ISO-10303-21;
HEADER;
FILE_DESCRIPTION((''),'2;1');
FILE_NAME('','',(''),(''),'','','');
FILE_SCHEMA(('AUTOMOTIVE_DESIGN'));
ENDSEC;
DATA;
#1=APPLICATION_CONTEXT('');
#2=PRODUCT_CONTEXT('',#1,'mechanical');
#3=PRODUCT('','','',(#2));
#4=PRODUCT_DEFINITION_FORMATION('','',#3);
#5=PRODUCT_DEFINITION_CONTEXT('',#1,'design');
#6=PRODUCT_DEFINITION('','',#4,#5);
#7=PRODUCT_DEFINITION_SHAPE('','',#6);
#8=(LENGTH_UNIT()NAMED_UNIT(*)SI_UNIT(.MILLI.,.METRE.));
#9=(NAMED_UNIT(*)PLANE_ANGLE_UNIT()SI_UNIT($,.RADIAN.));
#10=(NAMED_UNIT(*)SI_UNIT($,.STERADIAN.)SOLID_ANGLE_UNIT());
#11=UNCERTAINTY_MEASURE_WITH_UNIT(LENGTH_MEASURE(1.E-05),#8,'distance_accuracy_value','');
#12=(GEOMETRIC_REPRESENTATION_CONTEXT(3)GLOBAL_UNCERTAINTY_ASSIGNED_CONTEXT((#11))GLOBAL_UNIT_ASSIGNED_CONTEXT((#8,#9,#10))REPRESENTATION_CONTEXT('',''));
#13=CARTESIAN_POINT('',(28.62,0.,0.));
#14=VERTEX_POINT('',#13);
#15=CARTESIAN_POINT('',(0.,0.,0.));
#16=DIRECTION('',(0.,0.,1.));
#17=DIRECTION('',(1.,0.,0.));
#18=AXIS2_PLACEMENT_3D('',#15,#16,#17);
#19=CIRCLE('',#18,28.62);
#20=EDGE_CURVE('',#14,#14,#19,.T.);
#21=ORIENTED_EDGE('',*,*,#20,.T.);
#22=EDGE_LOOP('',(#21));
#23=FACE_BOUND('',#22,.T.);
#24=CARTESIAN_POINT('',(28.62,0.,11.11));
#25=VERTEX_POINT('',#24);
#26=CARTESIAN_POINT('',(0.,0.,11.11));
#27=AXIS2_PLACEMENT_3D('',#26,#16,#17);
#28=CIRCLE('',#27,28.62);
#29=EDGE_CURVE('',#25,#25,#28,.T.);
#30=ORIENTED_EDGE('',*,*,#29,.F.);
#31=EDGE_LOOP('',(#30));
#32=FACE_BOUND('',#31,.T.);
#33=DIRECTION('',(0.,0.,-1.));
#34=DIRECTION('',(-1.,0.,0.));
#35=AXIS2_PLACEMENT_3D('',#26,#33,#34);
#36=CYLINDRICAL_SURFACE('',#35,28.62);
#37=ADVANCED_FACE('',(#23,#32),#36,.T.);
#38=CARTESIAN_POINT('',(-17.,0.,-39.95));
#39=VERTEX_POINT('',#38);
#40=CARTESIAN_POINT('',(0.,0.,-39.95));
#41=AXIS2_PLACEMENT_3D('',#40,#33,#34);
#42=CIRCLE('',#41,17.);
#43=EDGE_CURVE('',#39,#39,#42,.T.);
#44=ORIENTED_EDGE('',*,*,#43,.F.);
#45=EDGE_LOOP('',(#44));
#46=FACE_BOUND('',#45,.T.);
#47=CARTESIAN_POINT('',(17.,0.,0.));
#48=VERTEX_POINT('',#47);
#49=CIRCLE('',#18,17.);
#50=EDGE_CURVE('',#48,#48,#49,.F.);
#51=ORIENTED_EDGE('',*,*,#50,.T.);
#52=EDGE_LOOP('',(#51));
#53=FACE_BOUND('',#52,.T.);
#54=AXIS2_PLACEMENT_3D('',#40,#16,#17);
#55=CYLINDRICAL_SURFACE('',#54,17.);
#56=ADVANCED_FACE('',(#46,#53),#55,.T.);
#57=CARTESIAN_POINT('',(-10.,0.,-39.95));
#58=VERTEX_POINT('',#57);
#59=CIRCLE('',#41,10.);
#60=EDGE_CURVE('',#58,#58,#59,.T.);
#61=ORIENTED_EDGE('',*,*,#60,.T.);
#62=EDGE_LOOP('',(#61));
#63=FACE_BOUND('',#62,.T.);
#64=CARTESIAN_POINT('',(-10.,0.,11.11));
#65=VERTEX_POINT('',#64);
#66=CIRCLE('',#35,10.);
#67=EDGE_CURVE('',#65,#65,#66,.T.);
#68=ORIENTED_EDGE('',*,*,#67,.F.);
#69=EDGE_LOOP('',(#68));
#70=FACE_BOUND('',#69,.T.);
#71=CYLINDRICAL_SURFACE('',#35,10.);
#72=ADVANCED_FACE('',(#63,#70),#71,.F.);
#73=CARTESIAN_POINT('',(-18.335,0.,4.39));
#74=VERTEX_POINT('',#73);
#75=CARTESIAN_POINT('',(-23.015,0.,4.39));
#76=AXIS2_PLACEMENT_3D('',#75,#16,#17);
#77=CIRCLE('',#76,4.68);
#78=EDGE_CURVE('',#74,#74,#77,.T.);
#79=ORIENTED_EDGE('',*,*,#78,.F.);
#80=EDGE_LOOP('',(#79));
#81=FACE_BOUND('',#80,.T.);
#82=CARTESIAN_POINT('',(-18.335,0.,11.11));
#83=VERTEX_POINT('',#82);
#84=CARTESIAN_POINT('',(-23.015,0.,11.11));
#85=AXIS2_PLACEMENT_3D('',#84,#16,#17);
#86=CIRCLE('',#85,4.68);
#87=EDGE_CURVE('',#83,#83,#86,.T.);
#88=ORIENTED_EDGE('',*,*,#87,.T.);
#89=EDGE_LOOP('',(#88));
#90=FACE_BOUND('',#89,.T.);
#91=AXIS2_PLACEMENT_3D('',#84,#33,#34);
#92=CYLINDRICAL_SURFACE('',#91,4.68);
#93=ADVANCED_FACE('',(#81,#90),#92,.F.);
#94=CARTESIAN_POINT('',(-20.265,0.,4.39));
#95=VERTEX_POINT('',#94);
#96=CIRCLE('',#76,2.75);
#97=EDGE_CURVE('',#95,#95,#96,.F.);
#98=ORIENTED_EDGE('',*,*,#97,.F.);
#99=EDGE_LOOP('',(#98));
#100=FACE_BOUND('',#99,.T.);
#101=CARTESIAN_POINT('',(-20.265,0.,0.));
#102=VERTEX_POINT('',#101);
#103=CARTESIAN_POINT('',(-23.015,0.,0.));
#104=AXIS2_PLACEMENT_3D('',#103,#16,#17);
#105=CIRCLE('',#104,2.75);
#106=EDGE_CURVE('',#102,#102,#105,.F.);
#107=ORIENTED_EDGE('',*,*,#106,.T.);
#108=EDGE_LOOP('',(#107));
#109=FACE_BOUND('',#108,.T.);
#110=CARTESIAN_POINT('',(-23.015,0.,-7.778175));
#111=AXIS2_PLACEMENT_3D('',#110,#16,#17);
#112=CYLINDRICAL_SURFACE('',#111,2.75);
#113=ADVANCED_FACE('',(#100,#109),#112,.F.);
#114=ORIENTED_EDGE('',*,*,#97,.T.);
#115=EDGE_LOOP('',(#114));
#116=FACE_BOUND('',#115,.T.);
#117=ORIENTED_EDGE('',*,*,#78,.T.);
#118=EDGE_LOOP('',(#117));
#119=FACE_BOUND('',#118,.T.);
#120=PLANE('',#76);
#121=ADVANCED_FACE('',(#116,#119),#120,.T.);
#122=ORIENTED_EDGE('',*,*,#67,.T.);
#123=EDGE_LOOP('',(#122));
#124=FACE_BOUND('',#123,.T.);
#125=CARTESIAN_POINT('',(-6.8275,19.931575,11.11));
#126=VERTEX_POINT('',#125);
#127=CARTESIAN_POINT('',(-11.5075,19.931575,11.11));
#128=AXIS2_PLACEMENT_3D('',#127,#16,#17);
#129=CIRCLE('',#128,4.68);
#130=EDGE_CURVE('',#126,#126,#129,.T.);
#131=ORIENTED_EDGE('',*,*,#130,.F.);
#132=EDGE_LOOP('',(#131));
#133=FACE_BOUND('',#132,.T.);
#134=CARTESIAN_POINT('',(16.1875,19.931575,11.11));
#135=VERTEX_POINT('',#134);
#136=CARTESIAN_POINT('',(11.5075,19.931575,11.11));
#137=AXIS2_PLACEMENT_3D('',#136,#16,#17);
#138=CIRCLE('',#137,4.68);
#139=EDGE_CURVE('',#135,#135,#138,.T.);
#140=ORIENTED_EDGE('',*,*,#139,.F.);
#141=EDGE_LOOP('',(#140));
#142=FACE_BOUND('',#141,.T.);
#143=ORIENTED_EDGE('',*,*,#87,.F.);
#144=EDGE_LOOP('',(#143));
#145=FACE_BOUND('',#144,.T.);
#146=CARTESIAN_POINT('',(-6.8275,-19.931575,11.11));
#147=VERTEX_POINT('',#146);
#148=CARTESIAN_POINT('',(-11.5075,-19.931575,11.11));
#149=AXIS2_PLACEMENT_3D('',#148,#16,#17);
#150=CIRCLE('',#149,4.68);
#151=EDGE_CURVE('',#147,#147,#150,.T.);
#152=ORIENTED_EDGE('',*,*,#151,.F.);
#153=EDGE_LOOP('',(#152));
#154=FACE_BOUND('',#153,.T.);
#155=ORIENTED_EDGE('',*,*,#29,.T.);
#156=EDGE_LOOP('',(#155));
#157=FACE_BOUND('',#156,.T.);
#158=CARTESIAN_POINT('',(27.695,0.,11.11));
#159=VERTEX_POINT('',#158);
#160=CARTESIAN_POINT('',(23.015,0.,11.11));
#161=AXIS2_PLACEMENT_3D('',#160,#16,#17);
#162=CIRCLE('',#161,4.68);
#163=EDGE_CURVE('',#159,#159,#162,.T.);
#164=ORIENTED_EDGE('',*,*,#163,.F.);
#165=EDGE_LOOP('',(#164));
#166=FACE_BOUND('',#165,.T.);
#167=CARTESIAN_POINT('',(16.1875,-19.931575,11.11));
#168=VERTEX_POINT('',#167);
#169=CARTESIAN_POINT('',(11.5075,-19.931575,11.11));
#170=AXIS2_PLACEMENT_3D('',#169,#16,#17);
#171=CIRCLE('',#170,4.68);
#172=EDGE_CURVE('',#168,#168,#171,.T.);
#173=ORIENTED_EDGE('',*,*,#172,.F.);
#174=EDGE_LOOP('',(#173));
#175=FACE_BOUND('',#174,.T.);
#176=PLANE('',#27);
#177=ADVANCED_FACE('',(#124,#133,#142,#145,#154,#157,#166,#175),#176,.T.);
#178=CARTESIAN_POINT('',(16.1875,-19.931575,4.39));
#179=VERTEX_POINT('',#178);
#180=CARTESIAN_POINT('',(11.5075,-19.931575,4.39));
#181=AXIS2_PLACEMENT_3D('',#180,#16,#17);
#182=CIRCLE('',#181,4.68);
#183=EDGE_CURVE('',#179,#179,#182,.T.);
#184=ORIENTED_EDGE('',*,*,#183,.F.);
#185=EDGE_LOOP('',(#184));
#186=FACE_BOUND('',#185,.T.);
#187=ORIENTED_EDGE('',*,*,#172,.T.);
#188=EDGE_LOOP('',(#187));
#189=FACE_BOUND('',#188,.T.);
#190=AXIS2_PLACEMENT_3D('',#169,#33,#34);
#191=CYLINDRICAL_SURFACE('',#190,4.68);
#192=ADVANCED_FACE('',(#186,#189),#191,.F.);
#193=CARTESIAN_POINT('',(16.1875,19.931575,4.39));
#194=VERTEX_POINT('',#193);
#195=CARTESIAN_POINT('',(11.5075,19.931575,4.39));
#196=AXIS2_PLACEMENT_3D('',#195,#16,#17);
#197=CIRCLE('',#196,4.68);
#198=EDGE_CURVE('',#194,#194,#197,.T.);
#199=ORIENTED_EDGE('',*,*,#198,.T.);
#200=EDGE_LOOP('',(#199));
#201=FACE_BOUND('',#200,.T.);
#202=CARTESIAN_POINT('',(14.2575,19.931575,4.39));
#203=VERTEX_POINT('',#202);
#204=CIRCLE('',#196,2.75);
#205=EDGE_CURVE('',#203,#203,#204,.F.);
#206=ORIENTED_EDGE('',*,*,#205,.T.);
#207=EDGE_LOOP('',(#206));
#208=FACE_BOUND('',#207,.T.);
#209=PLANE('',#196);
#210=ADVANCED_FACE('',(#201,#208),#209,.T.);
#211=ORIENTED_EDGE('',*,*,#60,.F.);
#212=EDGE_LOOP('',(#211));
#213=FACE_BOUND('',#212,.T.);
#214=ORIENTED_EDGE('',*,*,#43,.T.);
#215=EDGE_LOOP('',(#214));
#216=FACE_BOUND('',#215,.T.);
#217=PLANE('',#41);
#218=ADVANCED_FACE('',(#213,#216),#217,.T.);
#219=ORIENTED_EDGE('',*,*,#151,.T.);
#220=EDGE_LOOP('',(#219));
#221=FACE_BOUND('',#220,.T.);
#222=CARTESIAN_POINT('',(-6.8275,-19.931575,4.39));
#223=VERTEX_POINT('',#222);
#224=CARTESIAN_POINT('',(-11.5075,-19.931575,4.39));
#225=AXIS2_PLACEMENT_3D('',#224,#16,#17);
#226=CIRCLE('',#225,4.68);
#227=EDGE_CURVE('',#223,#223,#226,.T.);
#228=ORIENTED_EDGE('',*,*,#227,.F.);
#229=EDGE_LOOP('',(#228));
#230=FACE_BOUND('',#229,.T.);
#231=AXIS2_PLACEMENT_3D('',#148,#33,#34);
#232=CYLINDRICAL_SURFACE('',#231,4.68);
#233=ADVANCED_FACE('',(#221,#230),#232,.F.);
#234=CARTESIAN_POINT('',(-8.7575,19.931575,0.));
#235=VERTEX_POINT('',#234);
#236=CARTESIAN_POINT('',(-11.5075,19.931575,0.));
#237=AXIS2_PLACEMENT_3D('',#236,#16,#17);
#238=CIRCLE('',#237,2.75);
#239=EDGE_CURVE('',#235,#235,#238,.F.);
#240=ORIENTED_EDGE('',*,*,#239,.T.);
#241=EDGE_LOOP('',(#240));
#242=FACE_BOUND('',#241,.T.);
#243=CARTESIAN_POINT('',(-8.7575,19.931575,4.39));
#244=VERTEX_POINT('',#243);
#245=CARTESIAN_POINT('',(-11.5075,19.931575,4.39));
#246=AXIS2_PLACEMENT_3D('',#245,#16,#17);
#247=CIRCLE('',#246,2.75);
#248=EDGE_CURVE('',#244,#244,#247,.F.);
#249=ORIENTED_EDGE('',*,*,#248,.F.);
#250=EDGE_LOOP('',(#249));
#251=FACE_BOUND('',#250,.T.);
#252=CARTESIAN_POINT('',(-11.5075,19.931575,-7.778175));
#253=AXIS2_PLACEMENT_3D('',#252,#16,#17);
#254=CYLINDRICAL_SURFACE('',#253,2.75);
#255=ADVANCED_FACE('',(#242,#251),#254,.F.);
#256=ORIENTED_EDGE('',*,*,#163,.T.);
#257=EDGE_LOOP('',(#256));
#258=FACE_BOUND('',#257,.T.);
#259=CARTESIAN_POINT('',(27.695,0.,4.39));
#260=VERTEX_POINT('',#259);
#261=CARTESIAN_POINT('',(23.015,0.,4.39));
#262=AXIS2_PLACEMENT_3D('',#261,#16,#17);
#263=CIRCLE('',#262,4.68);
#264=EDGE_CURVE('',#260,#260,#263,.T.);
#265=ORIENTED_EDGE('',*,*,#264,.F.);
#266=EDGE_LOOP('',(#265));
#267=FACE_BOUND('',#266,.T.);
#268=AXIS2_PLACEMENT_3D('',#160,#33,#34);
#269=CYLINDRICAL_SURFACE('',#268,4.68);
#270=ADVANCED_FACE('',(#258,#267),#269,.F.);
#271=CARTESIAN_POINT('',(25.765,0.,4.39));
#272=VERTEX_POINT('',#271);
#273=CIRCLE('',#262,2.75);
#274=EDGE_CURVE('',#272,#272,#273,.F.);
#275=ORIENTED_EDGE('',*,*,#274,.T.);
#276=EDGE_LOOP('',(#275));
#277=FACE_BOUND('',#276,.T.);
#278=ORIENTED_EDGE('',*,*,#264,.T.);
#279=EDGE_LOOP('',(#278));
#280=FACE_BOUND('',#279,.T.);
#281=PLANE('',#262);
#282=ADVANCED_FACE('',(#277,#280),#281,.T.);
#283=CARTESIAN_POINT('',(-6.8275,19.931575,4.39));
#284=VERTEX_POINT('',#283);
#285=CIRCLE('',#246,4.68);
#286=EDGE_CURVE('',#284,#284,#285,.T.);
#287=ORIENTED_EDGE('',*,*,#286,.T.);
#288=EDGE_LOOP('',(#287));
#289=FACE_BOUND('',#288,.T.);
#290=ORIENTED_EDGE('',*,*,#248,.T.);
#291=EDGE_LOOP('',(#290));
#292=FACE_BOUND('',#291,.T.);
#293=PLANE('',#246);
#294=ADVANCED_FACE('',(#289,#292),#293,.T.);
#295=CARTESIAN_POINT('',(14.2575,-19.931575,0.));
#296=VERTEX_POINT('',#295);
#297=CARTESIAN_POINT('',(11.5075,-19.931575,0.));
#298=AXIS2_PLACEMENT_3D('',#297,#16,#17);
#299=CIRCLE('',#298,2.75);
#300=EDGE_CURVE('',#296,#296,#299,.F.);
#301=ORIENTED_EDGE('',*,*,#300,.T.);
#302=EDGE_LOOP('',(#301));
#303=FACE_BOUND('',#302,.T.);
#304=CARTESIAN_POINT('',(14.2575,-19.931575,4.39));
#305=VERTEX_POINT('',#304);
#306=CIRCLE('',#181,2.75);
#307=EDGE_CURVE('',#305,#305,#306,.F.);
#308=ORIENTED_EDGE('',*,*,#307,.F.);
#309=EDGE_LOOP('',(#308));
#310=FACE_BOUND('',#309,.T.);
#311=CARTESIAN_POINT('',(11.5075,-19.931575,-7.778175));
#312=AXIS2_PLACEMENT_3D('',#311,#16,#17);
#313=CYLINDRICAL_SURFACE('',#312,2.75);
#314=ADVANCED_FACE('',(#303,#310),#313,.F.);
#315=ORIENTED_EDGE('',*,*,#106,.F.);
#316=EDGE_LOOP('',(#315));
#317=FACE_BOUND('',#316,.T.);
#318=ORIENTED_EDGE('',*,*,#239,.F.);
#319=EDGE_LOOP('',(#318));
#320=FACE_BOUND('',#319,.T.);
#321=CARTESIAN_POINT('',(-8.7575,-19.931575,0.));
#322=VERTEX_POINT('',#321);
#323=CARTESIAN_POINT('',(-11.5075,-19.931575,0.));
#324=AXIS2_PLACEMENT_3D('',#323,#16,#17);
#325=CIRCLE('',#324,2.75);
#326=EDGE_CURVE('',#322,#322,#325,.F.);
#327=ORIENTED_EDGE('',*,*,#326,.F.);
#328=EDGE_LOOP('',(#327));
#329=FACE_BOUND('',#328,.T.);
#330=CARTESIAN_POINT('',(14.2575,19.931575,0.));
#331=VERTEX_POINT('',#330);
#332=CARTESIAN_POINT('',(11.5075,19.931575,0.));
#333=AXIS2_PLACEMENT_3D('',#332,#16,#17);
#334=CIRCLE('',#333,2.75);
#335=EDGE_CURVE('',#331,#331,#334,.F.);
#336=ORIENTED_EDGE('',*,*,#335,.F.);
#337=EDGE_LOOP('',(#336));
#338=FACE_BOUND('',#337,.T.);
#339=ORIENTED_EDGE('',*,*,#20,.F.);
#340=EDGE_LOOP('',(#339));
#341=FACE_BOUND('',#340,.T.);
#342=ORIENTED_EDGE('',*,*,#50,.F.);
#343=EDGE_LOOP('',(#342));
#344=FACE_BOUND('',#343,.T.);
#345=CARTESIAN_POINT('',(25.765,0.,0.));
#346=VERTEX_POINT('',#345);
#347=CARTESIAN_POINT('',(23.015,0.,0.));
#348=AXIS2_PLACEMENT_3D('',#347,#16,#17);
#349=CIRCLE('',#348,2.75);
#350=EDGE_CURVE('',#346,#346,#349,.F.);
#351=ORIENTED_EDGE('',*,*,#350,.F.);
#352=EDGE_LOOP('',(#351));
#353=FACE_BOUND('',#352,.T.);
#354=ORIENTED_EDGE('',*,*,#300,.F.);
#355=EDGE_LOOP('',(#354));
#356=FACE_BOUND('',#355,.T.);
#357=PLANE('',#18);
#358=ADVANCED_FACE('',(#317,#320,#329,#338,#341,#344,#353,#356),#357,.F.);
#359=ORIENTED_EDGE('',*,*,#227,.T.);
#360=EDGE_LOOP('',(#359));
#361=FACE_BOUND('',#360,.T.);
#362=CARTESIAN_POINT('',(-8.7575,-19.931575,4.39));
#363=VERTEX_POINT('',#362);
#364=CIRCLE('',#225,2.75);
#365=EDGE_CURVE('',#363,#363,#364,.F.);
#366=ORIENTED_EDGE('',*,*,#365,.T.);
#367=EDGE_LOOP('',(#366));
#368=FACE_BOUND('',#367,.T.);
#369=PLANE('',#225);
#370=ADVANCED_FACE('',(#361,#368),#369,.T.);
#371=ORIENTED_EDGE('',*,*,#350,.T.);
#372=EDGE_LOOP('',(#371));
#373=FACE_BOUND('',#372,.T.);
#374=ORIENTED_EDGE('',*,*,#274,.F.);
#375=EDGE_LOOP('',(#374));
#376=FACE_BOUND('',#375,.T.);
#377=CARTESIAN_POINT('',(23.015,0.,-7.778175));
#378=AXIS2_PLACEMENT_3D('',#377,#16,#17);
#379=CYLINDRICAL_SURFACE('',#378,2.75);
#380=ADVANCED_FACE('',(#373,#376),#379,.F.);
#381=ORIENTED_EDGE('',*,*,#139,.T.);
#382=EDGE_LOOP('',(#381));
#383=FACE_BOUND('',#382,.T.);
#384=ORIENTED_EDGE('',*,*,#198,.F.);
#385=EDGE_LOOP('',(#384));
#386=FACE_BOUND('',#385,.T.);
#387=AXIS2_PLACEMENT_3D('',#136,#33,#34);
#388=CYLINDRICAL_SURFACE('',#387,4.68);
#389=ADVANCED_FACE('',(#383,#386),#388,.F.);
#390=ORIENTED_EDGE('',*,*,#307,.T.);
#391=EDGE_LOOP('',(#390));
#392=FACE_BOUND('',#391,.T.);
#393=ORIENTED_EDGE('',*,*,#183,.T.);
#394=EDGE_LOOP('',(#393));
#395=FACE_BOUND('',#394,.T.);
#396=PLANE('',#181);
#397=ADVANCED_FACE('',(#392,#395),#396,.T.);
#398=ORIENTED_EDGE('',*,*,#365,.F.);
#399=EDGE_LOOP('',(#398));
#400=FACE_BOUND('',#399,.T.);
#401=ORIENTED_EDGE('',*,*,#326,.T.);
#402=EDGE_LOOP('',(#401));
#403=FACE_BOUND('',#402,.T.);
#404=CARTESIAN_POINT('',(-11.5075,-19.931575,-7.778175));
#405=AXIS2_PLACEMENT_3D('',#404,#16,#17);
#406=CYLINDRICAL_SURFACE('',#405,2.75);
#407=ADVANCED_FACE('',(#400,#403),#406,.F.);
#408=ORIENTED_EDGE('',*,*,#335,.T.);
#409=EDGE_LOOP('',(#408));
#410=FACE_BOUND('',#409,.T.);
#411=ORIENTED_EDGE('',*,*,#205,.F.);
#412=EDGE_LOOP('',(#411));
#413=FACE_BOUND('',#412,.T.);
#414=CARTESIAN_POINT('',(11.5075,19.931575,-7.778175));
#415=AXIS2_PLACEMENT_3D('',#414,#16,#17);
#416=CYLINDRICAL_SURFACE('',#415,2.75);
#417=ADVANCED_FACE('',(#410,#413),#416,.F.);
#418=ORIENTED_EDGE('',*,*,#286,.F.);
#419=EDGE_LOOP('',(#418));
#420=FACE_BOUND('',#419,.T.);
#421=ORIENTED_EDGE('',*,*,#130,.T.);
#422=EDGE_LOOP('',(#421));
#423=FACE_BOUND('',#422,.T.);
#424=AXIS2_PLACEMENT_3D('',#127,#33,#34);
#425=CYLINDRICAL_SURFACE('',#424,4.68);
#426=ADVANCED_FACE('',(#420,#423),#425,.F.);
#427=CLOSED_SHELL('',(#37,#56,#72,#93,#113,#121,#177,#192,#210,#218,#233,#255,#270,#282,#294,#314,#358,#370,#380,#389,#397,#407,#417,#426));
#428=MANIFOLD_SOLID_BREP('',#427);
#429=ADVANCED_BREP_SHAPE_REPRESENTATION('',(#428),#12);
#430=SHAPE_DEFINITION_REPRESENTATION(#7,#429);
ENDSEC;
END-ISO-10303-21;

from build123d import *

# Parameters (mm, degrees)
ESBO_O1_R                = 28.62
RESSALTO_EXTRUS_O1_DEPTH = 11.11
ESBO_O2_R                = 17
RESSALTO_EXTRUS_O2_DEPTH = 39.95
ESBO_O3_R                = 10
CORTE_EXTRUS_O1_DEPTH    = 66.15621536
ESBO_O6_R                = 2.75
CORTE_EXTRUS_O3_DEPTH    = 11.11
CORTE_EXTRUS_O2_START    = 4.39
ESBO_O4_R                = 4.68
CORTE_EXTRUS_O2_DEPTH    = 53.480126604


with BuildPart() as part:
    # Esboço1 → Ressalto-extrusão1 (new body)
    with BuildSketch(Plane.XY):
        Circle(ESBO_O1_R)
    extrude(amount=RESSALTO_EXTRUS_O1_DEPTH)

    # Esboço2 → Ressalto-extrusão2 (add)
    with BuildSketch(Plane(origin=(0, 0, 0), x_dir=(-1, 0, 0), z_dir=(0, 0, -1))):
        with Locations(Location((0, 0, 0), (0, 0, 180))):
            Circle(ESBO_O2_R)
    extrude(amount=RESSALTO_EXTRUS_O2_DEPTH)

    # Esboço3 → Corte-extrusão1 (cut, through all)
    with BuildSketch(Plane(origin=(0, 0, -39.95), x_dir=(-1, 0, 0), z_dir=(0, 0, -1))):
        Circle(ESBO_O3_R)
    extrude(amount=-CORTE_EXTRUS_O1_DEPTH, mode=Mode.SUBTRACT)

    # Esboço6 → Corte-extrusão3 (cut)
    with BuildSketch(Plane.XY.offset(11.11)):
        with Locations((23.015, 0)):
            Circle(ESBO_O6_R)
        with Locations((11.5075, -19.931574668)):
            Circle(ESBO_O6_R)
        with Locations((-11.5075, -19.931574668)):
            Circle(ESBO_O6_R)
        with Locations((-23.015, 0)):
            Circle(ESBO_O6_R)
        with Locations((-11.5075, 19.931574668)):
            Circle(ESBO_O6_R)
        with Locations((11.5075, 19.931574668)):
            Circle(ESBO_O6_R)
    extrude(amount=-CORTE_EXTRUS_O3_DEPTH, mode=Mode.SUBTRACT)

    # Esboço4 → Corte-extrusão2 (cut, through all)
    with BuildSketch(Plane.XY.offset(CORTE_EXTRUS_O2_START)):
        with Locations((23.015, 0)):
            Circle(ESBO_O4_R)
        with Locations((11.5075, -19.931574668)):
            Circle(ESBO_O4_R)
        with Locations((-11.5075, -19.931574668)):
            Circle(ESBO_O4_R)
        with Locations((-23.015, 0)):
            Circle(ESBO_O4_R)
        with Locations((-11.5075, 19.931574668)):
            Circle(ESBO_O4_R)
        with Locations((11.5075, 19.931574668)):
            Circle(ESBO_O4_R)
    extrude(amount=CORTE_EXTRUS_O2_DEPTH, mode=Mode.SUBTRACT)


solid = part.part
